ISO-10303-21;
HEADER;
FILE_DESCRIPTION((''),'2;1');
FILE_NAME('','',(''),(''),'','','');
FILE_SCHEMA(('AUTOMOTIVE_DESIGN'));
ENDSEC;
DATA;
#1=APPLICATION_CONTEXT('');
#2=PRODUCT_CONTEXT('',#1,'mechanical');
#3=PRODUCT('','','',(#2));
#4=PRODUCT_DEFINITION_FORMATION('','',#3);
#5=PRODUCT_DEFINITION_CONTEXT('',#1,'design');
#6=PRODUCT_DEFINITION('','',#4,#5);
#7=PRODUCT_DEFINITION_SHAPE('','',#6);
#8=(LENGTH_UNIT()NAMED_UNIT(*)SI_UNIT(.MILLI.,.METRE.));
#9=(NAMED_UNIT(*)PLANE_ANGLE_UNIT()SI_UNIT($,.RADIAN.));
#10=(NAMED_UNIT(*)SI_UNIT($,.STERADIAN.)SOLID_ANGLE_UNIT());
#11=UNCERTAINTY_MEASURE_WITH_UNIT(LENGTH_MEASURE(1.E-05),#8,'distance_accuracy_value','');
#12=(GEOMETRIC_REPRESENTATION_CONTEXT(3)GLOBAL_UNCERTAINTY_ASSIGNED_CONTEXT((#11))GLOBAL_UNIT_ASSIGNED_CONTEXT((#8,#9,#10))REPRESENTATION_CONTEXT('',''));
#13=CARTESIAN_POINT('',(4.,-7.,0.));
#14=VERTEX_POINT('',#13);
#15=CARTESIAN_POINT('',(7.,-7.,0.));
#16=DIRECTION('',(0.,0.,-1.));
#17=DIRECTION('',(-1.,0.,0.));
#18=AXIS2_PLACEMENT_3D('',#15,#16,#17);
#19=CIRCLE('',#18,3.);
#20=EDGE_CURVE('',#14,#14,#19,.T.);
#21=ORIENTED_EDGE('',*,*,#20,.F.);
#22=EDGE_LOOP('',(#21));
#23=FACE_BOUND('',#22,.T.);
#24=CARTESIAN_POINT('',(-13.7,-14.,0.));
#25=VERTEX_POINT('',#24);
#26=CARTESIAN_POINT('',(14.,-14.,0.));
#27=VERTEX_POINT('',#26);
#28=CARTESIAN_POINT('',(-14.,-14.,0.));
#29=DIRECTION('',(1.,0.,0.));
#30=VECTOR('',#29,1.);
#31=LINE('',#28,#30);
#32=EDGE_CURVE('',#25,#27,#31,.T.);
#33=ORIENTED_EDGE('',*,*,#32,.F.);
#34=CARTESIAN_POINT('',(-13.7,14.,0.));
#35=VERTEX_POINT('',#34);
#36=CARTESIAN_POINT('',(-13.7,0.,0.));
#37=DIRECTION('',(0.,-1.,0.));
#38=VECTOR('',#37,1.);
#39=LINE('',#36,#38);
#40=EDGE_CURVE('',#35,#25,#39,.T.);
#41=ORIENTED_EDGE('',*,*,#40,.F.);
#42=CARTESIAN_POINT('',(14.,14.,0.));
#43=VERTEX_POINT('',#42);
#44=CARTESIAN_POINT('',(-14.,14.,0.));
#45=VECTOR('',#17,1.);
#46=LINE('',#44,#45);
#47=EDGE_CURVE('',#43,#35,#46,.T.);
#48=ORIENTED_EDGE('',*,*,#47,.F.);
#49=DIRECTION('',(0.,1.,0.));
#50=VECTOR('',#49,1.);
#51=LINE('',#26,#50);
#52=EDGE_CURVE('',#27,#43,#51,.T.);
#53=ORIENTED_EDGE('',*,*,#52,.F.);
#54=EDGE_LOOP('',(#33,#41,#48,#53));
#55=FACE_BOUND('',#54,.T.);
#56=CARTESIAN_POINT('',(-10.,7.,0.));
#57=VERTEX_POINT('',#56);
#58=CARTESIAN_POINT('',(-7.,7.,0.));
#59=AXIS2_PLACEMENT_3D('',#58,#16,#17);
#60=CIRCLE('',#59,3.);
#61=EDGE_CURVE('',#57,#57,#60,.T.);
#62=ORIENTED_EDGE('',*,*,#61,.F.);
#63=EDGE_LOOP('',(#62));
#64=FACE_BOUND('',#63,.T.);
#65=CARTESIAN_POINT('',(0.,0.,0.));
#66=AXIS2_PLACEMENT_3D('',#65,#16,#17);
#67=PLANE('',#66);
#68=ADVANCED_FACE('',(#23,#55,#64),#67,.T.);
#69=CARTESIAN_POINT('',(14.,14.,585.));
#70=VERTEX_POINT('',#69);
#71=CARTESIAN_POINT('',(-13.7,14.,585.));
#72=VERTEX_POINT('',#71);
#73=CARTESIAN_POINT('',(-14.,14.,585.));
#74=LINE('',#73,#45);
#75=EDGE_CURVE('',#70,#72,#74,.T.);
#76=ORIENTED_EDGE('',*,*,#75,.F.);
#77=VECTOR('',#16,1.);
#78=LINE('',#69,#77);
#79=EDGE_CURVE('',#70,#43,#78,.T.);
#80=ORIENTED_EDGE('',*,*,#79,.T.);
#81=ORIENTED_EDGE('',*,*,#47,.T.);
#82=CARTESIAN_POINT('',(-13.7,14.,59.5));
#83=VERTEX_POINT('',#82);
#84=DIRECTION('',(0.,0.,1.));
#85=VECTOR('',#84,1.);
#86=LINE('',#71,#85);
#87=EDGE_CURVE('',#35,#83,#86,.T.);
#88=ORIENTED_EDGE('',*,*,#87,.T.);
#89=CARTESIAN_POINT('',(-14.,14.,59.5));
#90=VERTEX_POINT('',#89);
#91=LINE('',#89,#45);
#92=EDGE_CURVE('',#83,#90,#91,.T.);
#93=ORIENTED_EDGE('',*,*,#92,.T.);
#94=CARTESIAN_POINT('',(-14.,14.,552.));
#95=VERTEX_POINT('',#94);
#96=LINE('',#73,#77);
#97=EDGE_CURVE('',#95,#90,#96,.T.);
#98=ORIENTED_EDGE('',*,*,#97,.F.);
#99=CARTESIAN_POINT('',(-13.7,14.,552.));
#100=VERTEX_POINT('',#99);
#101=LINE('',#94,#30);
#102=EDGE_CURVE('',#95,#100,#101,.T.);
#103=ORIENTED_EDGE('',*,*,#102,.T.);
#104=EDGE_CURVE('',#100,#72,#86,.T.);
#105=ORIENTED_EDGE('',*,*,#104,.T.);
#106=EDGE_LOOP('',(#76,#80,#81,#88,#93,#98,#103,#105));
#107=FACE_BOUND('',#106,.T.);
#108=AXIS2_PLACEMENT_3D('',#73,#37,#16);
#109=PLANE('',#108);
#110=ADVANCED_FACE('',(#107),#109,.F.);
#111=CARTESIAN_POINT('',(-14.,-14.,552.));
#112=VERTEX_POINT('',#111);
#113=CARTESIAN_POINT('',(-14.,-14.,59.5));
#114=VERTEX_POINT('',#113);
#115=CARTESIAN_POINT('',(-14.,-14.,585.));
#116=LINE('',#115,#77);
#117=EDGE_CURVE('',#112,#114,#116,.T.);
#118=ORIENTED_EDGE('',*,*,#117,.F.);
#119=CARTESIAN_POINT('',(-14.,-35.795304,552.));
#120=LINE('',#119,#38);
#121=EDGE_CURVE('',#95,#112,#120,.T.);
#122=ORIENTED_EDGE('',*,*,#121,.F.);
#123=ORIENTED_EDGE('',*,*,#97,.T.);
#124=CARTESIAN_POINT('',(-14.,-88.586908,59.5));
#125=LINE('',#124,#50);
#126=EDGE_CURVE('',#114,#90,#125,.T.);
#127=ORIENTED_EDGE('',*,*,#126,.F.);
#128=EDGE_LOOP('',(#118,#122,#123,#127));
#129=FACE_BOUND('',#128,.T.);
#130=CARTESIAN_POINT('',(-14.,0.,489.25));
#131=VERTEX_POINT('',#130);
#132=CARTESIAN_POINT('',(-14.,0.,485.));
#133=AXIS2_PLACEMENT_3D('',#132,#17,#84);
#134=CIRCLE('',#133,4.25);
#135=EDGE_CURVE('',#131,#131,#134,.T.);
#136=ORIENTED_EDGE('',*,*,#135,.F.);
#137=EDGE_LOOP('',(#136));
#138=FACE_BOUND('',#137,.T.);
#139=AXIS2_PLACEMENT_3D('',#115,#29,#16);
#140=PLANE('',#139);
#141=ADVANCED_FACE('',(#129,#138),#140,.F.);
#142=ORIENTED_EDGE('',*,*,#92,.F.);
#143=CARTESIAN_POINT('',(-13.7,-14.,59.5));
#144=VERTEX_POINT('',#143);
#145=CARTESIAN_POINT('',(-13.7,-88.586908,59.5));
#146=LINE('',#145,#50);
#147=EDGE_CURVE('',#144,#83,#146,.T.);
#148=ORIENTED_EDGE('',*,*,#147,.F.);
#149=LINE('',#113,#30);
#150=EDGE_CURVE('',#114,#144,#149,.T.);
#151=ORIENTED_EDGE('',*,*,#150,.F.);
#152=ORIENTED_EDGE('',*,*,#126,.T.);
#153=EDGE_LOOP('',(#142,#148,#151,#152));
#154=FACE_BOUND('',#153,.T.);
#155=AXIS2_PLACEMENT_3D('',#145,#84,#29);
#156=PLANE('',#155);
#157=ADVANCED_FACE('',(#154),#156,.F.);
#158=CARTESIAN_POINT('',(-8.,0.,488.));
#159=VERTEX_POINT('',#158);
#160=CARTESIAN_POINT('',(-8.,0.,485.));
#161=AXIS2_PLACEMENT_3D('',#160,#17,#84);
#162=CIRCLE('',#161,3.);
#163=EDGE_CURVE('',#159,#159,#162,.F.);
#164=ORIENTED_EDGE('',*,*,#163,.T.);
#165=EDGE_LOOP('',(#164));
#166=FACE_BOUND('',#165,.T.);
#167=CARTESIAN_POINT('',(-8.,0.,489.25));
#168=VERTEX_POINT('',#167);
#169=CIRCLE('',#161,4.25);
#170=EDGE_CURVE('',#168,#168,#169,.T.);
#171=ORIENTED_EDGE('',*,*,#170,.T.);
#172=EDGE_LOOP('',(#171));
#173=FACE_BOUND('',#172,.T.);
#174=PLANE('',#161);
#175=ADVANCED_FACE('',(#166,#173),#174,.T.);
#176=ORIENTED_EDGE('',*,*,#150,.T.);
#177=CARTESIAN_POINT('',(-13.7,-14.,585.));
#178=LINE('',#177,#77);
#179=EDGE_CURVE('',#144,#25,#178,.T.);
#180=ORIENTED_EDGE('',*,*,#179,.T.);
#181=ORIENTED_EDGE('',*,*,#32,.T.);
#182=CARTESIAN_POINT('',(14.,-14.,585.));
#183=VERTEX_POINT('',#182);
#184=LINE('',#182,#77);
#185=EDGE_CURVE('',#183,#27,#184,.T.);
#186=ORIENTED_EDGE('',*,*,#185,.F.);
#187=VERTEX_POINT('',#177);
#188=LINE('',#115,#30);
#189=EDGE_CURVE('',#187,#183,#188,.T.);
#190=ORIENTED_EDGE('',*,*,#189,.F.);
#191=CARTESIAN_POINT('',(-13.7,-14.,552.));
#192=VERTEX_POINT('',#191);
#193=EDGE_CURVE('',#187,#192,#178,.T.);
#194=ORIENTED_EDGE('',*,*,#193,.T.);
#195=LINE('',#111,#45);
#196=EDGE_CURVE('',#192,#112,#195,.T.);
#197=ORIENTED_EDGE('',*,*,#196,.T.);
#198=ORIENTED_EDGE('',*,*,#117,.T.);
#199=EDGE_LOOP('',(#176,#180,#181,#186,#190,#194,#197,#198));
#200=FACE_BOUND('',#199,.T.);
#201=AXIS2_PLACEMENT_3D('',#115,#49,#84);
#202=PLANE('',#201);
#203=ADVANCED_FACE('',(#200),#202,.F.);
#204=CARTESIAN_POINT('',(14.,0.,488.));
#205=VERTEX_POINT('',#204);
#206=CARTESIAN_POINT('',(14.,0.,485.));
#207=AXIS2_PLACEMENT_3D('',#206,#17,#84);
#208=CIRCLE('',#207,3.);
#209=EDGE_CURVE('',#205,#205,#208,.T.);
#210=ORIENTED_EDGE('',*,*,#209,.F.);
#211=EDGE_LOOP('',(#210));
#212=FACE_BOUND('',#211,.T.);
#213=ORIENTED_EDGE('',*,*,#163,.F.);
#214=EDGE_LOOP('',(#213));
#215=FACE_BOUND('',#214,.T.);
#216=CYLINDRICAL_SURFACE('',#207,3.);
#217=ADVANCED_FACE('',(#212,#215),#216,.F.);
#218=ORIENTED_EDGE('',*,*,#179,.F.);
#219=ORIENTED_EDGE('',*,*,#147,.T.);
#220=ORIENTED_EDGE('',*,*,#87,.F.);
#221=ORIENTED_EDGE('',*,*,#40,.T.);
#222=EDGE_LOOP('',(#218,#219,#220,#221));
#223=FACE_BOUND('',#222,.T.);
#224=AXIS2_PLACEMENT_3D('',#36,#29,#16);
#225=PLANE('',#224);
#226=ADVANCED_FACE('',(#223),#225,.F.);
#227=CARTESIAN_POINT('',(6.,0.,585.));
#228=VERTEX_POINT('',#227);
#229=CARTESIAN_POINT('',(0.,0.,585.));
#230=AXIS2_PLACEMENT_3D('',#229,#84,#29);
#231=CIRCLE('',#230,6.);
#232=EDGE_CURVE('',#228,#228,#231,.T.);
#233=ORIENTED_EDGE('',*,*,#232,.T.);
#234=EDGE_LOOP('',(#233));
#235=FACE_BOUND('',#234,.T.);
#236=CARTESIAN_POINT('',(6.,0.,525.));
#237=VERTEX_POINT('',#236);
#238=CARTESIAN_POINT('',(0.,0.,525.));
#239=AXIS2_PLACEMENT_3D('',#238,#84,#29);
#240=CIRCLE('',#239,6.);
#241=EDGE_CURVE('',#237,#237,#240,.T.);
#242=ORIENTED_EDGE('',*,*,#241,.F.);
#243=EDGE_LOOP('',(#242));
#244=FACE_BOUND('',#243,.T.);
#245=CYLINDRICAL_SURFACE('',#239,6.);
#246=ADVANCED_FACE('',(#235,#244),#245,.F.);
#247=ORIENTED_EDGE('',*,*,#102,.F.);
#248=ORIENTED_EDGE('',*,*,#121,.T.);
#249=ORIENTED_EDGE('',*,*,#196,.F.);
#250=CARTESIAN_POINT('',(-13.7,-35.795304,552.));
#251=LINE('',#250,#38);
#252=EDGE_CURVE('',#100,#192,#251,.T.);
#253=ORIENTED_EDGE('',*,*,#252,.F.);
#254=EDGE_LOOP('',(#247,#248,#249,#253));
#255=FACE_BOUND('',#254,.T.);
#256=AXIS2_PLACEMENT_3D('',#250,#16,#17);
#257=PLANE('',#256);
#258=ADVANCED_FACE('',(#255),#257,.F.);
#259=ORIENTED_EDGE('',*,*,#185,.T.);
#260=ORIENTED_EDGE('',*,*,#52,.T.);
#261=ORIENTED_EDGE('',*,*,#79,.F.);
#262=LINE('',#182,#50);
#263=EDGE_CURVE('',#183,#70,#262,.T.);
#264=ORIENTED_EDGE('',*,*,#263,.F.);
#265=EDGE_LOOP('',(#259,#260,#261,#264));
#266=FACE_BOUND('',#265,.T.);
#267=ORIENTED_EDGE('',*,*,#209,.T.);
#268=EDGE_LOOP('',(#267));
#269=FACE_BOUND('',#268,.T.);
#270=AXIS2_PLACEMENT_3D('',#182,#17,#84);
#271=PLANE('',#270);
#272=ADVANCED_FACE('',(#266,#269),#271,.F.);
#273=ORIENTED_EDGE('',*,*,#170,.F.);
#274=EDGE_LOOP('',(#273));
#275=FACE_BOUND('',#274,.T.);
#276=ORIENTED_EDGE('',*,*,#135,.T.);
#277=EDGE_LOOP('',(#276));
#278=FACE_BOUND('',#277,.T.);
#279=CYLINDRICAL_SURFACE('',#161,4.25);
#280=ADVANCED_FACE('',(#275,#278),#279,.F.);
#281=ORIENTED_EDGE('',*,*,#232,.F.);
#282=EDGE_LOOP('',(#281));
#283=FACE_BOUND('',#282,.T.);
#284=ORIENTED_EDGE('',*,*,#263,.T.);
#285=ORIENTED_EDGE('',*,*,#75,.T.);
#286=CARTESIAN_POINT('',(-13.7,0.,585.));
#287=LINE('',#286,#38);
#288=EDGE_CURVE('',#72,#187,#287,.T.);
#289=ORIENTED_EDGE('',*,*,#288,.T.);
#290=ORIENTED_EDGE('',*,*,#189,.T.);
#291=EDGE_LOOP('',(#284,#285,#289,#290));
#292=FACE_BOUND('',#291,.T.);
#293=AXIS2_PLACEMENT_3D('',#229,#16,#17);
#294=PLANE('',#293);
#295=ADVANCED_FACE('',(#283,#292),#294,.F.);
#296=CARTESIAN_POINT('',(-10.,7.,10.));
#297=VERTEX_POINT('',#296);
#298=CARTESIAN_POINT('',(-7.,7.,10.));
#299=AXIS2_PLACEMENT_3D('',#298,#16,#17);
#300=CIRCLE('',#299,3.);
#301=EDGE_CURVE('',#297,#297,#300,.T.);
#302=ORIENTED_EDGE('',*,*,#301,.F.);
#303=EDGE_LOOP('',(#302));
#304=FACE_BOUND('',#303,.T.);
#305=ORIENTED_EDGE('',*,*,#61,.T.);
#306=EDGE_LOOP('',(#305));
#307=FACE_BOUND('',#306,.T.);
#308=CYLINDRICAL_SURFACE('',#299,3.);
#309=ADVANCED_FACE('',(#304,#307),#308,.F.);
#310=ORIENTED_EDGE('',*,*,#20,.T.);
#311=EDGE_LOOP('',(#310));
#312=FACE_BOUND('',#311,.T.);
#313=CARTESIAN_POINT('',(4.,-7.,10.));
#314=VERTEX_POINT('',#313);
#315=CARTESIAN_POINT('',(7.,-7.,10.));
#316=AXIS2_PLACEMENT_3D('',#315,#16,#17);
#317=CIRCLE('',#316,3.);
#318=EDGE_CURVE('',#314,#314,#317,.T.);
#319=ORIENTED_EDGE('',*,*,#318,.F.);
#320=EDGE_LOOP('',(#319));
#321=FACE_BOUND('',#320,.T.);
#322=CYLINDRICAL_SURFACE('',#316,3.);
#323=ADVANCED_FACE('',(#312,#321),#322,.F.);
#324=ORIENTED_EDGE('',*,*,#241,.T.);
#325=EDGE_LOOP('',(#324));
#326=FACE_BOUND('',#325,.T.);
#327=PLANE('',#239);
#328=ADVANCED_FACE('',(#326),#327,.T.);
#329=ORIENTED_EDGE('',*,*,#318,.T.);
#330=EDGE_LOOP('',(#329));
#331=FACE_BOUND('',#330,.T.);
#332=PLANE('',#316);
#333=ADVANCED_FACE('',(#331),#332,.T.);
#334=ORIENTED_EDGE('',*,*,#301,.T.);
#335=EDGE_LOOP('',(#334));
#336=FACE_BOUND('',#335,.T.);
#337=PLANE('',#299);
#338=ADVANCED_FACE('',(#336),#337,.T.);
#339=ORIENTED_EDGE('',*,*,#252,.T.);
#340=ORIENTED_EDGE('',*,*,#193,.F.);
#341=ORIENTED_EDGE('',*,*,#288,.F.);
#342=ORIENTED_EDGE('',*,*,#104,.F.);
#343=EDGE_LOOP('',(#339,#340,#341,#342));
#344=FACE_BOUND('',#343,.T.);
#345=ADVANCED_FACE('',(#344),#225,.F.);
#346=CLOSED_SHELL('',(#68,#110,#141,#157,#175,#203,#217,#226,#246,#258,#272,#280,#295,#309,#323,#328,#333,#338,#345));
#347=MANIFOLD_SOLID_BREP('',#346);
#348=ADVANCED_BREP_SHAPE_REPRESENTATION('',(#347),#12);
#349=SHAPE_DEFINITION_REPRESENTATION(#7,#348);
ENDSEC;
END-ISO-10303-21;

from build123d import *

# Parameters (mm, degrees)
IZIM1_W                     = 28
IZIM1_H                     = 28
Y_KSEKLIK_EKSTR_ZYON1_DEPTH = 585
IZIM2_R                     = 6
KES_EKSTR_ZYON1_DEPTH       = 60
SKETCH1_R                   = 3
CUT_EXTRUDE1_DEPTH          = 10
SKETCH2_R                   = 3
CUT_EXTRUDE2_DEPTH          = 586.837008049
SKETCH3_R                   = 4.25
CUT_EXTRUDE3_DEPTH          = 6
SKETCH4_W                   = 79.561179617
SKETCH4_H                   = 84.218096563
SKETCH4_W_2                 = 144.712868034
SKETCH4_H_2                 = 206.469543182
CUT_EXTRUDE4_DEPTH          = 0.3


with BuildPart() as part:
    # Çizim1 → Yükseklik-Ekstrüzyon1 (new body)
    with BuildSketch(Plane.XY):
        Rectangle(IZIM1_W, IZIM1_H)
    extrude(amount=Y_KSEKLIK_EKSTR_ZYON1_DEPTH)

    # Çizim2 → Kes-Ekstrüzyon1 (cut)
    with BuildSketch(Plane.XY.offset(585)):
        Circle(IZIM2_R)
    extrude(amount=-KES_EKSTR_ZYON1_DEPTH, mode=Mode.SUBTRACT)

    # Sketch1 → Cut-Extrude1 (cut)
    with BuildSketch(Plane(origin=(0, 0, 0), x_dir=(-1, 0, 0), z_dir=(0, 0, -1))):
        with Locations((-7, -7)):
            Circle(SKETCH1_R)
        with Locations((7, 7)):
            Circle(SKETCH1_R)
    extrude(amount=-CUT_EXTRUDE1_DEPTH, mode=Mode.SUBTRACT)

    # Sketch2 → Cut-Extrude2 (cut, through all)
    with BuildSketch(Plane.ZY.offset(14)):
        with Locations((485, 0)):
            Circle(SKETCH2_R)
    extrude(amount=-CUT_EXTRUDE2_DEPTH, mode=Mode.SUBTRACT)

    # Sketch3 → Cut-Extrude3 (cut)
    with BuildSketch(Plane.ZY.offset(14)):
        with Locations((485, 0)):
            Circle(SKETCH3_R)
    extrude(amount=-CUT_EXTRUDE3_DEPTH, mode=Mode.SUBTRACT)

    # Sketch4 → Cut-Extrude4 (cut)
    with BuildSketch(Plane.ZY.offset(14)):
        with Locations((591.780589809, 6.31374468)):
            Rectangle(SKETCH4_W, SKETCH4_H)
        with Locations((-12.856434017, 14.64786351)):
            Rectangle(SKETCH4_W_2, SKETCH4_H_2)
    extrude(amount=-CUT_EXTRUDE4_DEPTH, mode=Mode.SUBTRACT)


solid = part.part
